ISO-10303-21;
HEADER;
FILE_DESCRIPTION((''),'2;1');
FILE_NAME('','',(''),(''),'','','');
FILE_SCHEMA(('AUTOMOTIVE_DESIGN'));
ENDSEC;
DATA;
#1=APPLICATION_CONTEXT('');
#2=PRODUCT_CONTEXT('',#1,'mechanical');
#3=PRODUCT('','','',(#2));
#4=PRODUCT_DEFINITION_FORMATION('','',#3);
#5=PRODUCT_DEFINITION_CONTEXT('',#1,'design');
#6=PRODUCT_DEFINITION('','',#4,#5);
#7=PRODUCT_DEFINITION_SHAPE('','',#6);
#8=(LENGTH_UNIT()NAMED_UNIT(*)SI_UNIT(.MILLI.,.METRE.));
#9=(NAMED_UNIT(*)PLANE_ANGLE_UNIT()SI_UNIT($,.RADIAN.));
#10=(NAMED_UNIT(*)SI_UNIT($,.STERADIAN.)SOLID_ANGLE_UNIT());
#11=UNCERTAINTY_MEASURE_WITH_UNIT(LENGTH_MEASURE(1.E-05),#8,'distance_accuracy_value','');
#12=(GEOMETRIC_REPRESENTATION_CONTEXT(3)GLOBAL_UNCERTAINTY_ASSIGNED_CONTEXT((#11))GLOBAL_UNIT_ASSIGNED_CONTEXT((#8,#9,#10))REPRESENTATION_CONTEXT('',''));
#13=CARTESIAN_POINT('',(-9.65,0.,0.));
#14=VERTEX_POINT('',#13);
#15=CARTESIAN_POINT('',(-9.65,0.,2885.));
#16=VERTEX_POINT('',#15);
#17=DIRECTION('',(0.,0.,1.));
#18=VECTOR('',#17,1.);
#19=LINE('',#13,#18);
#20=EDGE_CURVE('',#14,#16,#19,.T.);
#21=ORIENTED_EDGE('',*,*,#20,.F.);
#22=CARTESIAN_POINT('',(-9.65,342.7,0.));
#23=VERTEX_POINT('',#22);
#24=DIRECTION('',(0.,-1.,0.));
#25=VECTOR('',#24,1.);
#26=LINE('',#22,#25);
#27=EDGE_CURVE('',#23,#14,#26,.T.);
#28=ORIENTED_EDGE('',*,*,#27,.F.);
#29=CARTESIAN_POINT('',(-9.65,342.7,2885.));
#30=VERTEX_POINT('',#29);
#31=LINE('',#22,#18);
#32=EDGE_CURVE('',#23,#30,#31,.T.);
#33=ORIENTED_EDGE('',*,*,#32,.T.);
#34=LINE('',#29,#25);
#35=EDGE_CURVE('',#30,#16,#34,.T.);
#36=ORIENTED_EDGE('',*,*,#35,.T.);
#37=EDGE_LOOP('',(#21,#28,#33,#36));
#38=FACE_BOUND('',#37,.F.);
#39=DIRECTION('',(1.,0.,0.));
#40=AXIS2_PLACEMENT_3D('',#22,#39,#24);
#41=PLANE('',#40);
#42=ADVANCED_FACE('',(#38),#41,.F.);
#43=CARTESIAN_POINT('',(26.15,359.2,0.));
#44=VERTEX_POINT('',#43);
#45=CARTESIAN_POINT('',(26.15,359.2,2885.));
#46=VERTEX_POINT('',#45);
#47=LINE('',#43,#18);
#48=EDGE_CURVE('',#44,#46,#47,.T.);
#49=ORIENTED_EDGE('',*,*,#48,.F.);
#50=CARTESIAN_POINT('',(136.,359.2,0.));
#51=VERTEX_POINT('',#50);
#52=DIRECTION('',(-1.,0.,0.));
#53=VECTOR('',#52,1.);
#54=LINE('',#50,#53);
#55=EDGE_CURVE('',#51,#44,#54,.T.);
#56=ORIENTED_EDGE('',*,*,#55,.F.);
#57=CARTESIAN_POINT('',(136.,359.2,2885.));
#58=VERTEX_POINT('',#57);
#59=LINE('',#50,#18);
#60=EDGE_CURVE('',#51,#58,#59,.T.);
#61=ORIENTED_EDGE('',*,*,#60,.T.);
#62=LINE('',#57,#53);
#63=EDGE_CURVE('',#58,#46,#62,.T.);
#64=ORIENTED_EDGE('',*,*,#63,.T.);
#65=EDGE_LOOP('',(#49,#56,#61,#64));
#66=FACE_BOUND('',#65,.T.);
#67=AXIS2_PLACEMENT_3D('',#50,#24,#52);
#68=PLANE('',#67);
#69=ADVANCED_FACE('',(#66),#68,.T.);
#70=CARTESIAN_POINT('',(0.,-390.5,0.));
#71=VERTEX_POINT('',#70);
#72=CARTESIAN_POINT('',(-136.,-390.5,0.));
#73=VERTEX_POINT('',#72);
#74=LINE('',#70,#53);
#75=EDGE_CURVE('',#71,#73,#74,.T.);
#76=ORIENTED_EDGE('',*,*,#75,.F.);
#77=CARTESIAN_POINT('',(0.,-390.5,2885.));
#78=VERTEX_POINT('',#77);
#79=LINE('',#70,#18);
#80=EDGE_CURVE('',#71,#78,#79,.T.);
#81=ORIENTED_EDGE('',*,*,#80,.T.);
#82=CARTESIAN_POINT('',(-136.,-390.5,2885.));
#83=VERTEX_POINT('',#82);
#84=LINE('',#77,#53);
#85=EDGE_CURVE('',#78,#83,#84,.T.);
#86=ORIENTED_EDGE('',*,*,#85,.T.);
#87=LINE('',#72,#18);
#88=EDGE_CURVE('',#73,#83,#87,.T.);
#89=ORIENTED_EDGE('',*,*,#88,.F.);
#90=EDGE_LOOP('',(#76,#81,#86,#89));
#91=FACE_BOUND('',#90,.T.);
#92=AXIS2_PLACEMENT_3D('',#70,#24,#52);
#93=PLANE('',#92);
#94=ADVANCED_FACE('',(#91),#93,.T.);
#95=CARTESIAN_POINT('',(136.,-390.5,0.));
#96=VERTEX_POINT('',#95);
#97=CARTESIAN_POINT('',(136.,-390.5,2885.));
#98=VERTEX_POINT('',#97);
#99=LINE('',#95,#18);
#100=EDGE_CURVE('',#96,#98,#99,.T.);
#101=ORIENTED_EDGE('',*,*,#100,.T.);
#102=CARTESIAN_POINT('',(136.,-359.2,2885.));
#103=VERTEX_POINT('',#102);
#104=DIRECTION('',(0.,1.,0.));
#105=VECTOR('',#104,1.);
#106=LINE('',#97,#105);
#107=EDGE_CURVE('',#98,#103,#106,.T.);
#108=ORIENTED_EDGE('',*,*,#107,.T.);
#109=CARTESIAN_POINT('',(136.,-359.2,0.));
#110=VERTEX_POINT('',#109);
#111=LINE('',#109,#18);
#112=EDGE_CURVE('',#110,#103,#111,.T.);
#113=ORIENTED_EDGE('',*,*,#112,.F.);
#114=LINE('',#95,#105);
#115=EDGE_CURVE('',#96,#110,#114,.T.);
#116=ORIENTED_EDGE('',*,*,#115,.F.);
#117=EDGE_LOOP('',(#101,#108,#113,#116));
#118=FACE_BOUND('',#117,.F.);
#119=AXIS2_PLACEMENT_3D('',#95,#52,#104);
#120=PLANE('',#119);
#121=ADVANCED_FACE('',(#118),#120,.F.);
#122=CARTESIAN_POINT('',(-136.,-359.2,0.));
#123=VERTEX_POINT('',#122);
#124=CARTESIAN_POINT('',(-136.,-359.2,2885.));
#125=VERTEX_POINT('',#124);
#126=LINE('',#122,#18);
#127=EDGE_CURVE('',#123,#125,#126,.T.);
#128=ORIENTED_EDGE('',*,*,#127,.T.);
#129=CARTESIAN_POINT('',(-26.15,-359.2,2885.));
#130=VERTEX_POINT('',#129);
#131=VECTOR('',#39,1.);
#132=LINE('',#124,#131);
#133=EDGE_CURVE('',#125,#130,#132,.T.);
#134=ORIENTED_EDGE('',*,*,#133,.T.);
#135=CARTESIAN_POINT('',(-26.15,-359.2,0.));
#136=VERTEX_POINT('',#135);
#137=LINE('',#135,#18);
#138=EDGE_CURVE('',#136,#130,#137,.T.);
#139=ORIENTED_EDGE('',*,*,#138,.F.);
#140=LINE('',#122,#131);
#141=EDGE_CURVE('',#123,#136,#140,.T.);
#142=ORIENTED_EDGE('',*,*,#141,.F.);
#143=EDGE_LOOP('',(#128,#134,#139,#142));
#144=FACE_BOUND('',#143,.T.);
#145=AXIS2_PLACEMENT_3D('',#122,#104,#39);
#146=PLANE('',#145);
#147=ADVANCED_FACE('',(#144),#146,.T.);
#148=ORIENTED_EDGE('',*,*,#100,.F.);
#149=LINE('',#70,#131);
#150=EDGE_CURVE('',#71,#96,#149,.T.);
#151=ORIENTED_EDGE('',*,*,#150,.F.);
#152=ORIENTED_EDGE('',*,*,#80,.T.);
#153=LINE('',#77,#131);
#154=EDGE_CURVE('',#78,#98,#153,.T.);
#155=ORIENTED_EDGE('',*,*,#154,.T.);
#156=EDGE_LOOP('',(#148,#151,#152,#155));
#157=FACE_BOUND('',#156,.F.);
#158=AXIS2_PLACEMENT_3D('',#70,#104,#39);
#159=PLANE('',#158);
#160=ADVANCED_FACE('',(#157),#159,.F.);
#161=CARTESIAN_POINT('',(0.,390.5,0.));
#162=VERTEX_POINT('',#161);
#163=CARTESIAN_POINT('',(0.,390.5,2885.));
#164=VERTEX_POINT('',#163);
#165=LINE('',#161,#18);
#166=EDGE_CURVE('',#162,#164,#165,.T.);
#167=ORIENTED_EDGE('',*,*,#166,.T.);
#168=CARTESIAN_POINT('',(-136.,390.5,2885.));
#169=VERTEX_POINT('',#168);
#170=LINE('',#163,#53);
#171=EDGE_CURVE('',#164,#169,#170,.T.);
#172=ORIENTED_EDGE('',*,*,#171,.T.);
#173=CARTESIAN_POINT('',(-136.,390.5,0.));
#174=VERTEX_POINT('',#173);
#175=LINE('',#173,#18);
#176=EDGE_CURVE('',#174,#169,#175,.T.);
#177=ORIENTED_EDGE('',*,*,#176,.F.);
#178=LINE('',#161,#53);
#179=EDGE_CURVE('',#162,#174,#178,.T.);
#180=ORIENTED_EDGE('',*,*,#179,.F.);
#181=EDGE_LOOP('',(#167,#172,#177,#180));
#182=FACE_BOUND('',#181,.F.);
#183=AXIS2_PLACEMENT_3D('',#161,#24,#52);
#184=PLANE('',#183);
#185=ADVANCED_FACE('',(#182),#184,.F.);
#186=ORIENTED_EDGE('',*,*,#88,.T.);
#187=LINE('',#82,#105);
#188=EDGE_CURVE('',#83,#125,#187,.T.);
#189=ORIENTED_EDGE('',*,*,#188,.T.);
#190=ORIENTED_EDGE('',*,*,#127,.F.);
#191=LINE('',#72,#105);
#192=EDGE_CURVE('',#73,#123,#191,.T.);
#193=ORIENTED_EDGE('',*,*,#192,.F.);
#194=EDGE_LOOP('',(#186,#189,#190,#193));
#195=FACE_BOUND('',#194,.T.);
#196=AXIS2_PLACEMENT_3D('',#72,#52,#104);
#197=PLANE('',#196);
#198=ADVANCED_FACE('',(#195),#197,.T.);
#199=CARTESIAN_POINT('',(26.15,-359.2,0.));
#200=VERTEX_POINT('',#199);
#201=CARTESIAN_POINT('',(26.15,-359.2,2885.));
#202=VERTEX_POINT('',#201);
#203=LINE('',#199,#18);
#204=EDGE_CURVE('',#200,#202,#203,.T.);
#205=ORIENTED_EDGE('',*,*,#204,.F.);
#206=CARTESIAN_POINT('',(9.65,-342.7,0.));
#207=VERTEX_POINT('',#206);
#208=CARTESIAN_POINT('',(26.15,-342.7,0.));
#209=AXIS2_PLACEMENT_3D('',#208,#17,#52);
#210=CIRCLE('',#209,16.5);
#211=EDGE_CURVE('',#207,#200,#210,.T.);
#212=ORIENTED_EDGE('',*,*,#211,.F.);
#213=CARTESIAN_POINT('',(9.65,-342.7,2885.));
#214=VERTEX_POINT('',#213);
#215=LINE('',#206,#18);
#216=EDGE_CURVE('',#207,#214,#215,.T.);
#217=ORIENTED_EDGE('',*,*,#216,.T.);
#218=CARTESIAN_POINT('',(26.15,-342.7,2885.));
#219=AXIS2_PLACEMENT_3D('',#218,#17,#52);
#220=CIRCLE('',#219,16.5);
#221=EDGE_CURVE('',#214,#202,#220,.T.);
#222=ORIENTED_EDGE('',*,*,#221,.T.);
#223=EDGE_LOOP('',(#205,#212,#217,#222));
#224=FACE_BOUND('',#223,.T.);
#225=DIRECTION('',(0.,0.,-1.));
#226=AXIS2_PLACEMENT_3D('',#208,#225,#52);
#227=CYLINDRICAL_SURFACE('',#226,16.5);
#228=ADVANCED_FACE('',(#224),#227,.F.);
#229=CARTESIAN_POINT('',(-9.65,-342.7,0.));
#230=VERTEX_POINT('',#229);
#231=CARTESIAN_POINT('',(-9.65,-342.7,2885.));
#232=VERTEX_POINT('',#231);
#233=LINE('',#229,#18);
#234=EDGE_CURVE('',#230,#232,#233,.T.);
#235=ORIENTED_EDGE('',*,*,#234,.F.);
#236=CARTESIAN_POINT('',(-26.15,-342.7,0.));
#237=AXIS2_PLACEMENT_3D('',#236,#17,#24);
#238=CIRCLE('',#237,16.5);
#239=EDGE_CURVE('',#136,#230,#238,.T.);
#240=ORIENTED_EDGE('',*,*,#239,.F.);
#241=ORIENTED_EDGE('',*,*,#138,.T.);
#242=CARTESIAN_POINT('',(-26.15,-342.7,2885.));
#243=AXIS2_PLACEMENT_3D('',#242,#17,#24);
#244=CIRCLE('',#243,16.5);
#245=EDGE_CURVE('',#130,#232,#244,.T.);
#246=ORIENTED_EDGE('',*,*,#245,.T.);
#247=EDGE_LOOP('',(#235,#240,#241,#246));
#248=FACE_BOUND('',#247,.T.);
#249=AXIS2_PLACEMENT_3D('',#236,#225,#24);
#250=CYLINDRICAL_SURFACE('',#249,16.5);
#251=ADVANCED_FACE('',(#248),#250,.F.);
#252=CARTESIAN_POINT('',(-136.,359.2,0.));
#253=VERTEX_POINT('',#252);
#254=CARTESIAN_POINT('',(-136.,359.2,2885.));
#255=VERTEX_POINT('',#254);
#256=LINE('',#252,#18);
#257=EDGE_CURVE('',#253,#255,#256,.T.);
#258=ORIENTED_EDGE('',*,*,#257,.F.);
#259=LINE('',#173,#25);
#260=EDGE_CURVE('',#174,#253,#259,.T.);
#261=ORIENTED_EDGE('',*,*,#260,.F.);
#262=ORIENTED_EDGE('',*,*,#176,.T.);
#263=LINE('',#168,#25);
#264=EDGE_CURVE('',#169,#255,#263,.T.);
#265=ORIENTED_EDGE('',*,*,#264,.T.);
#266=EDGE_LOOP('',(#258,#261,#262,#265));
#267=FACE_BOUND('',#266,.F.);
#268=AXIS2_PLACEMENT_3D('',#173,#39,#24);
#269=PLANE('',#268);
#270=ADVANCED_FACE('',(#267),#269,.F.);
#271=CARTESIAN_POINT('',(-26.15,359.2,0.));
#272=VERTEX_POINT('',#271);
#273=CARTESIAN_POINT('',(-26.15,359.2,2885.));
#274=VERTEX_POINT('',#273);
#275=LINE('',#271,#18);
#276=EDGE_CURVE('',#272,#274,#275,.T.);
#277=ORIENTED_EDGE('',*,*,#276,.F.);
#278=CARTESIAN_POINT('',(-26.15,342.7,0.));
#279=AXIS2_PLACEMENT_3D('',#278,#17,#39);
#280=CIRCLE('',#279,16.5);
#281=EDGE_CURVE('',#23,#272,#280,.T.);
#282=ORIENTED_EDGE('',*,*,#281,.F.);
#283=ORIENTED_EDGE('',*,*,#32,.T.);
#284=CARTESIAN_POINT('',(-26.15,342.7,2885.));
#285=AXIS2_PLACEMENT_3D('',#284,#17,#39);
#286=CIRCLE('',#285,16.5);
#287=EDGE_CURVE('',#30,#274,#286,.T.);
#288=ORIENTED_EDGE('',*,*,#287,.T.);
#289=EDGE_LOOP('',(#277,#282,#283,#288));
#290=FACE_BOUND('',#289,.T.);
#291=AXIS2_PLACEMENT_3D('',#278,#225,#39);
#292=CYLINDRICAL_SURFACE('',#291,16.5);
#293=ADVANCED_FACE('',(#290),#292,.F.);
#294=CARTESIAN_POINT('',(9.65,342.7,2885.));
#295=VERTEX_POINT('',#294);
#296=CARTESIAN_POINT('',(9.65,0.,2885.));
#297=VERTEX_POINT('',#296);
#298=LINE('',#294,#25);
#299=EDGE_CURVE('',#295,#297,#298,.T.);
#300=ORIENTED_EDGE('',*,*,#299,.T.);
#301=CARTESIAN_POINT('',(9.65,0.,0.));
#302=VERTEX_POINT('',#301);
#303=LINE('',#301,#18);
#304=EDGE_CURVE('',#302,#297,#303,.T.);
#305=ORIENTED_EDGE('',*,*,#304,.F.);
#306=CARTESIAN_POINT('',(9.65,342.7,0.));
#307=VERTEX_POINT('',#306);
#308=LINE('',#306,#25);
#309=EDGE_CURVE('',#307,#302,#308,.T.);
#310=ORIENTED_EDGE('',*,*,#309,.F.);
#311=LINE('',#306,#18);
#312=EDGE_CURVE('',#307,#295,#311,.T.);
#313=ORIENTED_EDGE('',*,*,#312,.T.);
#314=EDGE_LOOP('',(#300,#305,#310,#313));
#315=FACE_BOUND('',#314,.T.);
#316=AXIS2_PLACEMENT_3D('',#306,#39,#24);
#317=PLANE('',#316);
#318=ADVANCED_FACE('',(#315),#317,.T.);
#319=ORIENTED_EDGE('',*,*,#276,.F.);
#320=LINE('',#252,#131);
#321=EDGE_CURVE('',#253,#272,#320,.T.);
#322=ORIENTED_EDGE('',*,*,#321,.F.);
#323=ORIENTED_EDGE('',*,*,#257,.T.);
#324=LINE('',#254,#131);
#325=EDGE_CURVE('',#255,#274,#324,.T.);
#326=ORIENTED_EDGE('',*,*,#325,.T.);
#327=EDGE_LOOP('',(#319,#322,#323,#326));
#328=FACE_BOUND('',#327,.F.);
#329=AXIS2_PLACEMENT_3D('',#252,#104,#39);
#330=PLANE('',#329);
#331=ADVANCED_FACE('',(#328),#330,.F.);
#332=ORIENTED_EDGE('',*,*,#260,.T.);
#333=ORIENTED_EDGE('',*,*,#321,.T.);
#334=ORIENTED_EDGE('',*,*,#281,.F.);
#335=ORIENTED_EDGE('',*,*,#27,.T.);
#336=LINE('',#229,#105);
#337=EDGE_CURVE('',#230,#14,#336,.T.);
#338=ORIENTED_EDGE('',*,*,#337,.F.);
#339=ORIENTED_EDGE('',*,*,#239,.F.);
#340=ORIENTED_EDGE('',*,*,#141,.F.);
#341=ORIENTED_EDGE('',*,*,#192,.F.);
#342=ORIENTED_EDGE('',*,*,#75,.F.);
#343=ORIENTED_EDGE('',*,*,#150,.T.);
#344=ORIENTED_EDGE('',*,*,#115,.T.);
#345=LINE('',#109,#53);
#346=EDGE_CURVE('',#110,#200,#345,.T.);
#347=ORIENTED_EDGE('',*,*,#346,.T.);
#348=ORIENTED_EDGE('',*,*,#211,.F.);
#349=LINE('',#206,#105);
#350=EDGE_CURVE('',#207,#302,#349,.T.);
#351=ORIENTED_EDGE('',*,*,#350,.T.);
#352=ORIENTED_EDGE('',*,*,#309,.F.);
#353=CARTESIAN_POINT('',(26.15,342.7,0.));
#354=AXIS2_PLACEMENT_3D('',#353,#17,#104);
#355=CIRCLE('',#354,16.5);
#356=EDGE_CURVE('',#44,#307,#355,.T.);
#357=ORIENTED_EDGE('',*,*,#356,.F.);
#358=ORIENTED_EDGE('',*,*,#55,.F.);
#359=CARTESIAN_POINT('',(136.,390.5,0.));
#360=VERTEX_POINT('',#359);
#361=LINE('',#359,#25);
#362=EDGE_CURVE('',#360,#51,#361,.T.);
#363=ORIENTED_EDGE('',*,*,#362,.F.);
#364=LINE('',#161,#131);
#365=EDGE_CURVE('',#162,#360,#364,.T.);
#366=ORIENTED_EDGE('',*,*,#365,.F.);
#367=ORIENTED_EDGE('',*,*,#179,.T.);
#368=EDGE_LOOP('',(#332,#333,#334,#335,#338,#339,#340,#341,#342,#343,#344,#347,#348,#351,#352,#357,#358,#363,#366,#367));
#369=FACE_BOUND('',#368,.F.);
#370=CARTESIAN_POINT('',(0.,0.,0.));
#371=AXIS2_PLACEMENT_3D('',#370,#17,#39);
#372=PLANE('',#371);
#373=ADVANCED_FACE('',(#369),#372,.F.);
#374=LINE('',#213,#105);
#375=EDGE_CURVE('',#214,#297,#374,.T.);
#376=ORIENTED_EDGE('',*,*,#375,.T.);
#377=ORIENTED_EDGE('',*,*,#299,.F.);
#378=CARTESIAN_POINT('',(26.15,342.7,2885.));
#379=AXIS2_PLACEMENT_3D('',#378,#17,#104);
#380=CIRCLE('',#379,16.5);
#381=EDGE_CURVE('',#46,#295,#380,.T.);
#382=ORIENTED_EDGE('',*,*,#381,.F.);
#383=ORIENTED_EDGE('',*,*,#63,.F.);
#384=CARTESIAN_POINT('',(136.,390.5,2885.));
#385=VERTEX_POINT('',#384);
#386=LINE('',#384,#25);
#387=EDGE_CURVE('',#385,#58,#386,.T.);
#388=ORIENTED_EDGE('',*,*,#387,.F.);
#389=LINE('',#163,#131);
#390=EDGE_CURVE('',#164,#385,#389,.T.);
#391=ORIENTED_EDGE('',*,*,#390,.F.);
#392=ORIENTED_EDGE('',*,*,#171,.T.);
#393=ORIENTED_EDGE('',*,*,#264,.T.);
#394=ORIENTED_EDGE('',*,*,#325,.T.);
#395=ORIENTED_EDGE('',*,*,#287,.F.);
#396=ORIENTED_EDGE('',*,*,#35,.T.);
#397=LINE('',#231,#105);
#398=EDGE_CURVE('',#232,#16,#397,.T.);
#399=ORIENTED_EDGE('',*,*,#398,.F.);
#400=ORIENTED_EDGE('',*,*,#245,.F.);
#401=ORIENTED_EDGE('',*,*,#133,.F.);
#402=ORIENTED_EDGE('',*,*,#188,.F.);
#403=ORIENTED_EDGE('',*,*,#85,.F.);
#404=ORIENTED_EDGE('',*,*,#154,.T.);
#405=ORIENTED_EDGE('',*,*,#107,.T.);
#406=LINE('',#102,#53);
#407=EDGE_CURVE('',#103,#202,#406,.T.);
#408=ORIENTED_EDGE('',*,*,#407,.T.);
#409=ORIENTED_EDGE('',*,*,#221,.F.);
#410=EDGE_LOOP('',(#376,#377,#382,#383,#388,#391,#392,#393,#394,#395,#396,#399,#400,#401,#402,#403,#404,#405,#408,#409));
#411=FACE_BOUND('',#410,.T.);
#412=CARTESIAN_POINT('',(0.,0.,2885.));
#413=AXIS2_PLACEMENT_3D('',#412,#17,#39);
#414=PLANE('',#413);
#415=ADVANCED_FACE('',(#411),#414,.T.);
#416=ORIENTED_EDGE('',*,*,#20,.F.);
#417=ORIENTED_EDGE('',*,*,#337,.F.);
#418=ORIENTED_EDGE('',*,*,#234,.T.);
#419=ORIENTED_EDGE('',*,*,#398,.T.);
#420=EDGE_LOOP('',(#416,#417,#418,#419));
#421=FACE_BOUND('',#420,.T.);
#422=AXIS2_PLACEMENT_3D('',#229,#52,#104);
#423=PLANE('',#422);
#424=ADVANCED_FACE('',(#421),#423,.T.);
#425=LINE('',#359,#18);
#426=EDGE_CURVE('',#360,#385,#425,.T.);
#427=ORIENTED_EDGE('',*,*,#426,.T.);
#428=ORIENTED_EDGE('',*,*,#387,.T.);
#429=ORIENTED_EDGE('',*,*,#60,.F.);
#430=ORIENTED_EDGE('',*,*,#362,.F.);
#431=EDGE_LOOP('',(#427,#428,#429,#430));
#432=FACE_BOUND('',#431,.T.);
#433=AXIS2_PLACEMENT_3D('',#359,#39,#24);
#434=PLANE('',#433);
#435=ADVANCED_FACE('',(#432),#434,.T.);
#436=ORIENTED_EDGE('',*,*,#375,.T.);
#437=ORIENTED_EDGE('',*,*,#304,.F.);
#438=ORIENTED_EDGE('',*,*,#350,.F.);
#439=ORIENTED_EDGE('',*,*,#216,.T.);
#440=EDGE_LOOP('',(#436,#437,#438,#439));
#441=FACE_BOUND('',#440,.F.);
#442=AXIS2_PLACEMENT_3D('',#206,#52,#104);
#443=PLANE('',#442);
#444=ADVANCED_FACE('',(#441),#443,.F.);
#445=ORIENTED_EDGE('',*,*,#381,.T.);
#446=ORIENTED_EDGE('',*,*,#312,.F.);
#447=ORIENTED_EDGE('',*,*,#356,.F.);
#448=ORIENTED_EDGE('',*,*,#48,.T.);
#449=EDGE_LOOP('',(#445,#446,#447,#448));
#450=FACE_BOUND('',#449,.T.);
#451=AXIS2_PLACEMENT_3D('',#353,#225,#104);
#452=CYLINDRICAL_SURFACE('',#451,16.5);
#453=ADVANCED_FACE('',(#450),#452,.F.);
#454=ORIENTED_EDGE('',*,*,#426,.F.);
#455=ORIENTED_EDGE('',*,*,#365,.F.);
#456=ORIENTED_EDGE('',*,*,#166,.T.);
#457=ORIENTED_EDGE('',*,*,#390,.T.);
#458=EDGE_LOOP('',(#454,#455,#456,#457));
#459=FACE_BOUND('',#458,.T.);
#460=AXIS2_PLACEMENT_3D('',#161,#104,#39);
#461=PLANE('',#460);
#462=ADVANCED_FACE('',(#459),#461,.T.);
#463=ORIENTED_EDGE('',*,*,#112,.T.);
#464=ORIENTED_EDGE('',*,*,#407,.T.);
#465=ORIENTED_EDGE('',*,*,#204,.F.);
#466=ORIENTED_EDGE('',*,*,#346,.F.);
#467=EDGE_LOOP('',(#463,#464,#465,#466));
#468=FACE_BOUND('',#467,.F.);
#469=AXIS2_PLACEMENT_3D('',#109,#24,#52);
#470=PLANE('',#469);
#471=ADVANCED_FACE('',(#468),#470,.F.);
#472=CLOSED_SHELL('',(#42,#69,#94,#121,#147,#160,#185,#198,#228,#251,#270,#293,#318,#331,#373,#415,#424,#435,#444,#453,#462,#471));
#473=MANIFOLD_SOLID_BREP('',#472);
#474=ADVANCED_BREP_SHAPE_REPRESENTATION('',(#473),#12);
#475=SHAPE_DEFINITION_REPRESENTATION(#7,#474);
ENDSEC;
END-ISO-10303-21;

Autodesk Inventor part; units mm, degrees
ref_plane "YZ Plane" through (0, 0, 0) normal (1, 0, 0) x (0, 1, 0)
ref_plane "Start plane" through (0, 0, 0) normal (0, 0, 1) x (1, 0, 0)
ref_plane "End plane" through (0, 0, 2885) normal (0, 0, 1) x (1, 0, 0)
sketch "Sketch" plane through (0, 0, 0) normal (0, 0, 1) x (1, 0, 0)
  line L0 (-136, -390.5) -> (-136, -359.2)
  line L1 (-136, -359.2) -> (-26.15, -359.2)
  line L2 (-9.65, -342.7) -> (-9.65, 0)
  line L3 (-9.65, 0) -> (0, 0) construction
  line L4 (0, 0) -> (0, -390.5) construction
  line L5 (0, -390.5) -> (-136, -390.5)
  line L6 (-60, 0) -> (80, 0) construction
  line L7 (0, -60) -> (0, 80) construction
  line L8 (136, -390.5) -> (136, -359.2)
  line L9 (136, -359.2) -> (26.15, -359.2)
  line L10 (9.65, -342.7) -> (9.65, 0)
  line L11 (9.65, 0) -> (0, 0) construction
  line L12 (0, -390.5) -> (136, -390.5)
  line L13 (-136, 390.5) -> (-136, 359.2)
  line L14 (-136, 359.2) -> (-26.15, 359.2)
  line L15 (-9.65, 342.7) -> (-9.65, 0)
  line L16 (0, 390.5) -> (-136, 390.5)
  line L17 (136, 390.5) -> (136, 359.2)
  line L18 (136, 359.2) -> (26.15, 359.2)
  line L19 (0, 390.5) -> (136, 390.5)
  line L20 (9.65, 342.7) -> (9.65, 0)
  arc A0 (-9.65, 342.7) -> (-26.15, 359.2) centre (-26.15, 342.7) ccw
  arc A1 (26.15, 359.2) -> (9.65, 342.7) centre (26.15, 342.7) ccw
  arc A2 (9.65, -342.7) -> (26.15, -359.2) centre (26.15, -342.7) ccw
  arc A3 (-26.15, -359.2) -> (-9.65, -342.7) centre (-26.15, -342.7) ccw
  line L21 (0, 108) -> (0, -88) construction
  line L22 (-88, 0) -> (108, 0) construction
  point P0 (-9.65, -359.2)
  point P1 (9.65, -359.2)
  point P2 (-9.65, 359.2)
  point P3 (9.65, 359.2)
  dimension "d1" = 390.5
  dimension "d2" = 31.3
  dimension "d3" = 136
  dimension "d4" = 9.65
  dimension "d10" = 16.5
extrude "Body" add sketch "Sketch" along normal up to surface (2885 mm away) from surface at 0
sketch "Sketch4" plane through (0, 0, 0) normal (0, 0, 1) x (1, 0, 0)
  line L0 (0, 0) -> (10, 0)
ref_plane "Work Plane3" through (0, 0, 0) normal (0, -1, 0) x (1, 0, 0)
sketch "Sketch5" plane through (0, 0, 0) normal (0, -1, 0) x (1, 0, 0)
  line L0 (-2, 0) -> (12, 0) projected
  line L1 (-2, 2885) -> (12, 2885) projected
  dimension "d14" = 2885
equation "\"d1\" = 0.5 * G_H"
equation "\"d2\" = G_T1"
equation "\"d3\" = 0.5 * G_W"
equation "\"d4\" = 0.5 * G_T"
equation "\"d10\" = G_IR"
equation "\"d5\" = G_L"
equation "\"G_W\" = 272"
equation "\"G_H\" = 781"
equation "\"G_T\" = 19.3"
equation "\"G_T1\" = 31.3"
equation "\"G_IR\" = 16.5"
equation "\"G_L\" = d14"
equation "\"G_OFFSET_START\" = 0"
equation "\"G_OFFSET_END\" = 0"
equation "\"d12\" = G_OFFSET_END + B_L"
equation "\"B_L\" = 2885"
properties part number "AS 3679-1990 - 760 UB - 244 - 2885" material "Steel, Mild"
